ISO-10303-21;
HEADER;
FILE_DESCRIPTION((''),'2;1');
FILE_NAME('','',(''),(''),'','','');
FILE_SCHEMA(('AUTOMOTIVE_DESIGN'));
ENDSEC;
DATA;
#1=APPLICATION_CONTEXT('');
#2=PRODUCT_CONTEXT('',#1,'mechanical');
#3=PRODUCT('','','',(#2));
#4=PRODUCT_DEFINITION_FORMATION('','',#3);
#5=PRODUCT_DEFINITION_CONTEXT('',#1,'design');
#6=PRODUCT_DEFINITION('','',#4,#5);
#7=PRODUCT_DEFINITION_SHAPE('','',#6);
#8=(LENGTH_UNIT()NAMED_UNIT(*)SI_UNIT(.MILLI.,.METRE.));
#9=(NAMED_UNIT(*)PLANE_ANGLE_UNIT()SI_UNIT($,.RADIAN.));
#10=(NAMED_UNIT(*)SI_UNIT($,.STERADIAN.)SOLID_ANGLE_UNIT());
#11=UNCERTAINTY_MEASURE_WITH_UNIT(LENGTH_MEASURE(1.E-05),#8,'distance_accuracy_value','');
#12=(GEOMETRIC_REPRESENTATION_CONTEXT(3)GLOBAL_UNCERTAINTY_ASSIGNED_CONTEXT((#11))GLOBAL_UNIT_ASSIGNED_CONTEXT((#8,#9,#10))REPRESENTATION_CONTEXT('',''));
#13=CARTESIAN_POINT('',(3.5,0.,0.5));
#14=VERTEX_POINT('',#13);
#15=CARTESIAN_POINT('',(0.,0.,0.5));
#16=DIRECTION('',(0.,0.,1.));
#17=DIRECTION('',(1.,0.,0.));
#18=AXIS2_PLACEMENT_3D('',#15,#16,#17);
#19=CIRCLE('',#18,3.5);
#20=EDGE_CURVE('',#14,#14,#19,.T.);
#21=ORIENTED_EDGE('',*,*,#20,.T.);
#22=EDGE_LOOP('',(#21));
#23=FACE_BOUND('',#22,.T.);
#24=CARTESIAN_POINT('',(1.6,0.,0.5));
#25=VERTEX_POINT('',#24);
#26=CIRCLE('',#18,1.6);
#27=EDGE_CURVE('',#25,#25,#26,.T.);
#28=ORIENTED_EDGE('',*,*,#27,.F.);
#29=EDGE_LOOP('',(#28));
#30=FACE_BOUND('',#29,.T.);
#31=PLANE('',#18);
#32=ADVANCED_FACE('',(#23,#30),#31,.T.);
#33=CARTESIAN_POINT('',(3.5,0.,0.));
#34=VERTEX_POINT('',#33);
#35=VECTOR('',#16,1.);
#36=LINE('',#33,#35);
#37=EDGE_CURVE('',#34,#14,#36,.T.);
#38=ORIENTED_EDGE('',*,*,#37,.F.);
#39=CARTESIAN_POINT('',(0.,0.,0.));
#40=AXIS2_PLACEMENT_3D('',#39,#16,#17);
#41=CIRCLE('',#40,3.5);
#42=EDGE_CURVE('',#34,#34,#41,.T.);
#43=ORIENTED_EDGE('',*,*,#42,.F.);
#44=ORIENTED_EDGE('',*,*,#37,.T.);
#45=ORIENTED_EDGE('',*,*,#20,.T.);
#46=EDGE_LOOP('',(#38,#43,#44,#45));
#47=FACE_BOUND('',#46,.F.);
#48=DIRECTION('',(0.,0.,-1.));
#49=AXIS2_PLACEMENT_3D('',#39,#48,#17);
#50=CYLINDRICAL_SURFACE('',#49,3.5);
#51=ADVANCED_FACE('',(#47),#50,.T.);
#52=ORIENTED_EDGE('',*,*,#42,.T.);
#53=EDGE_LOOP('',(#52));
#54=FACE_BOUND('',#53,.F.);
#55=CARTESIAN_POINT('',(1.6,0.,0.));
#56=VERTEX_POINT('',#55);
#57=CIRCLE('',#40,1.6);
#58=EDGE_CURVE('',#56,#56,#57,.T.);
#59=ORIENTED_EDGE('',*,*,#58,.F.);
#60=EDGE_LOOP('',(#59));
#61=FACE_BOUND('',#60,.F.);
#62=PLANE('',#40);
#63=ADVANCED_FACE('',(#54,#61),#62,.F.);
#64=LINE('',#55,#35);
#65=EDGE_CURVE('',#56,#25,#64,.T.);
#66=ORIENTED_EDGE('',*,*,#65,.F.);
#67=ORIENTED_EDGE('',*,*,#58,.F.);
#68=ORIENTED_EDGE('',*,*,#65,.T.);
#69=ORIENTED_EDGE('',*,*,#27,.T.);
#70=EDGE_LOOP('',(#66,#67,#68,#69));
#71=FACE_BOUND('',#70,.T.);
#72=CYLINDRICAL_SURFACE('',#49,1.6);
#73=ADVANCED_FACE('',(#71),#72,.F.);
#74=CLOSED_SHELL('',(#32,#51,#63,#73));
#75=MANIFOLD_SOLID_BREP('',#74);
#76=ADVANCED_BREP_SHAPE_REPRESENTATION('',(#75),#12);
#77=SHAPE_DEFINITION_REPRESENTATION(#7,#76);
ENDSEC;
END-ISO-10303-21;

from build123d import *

# Parameters (mm, degrees)
SKETCH1_R           = 3.5
SKETCH1_R_2         = 1.6
BOSS_EXTRUDE1_DEPTH = 0.5


with BuildPart() as part:
    # Sketch1 → Boss-Extrude1 (new body)
    with BuildSketch(Plane.XY):
        Circle(SKETCH1_R)
        Circle(SKETCH1_R_2, mode=Mode.SUBTRACT)
    extrude(amount=BOSS_EXTRUDE1_DEPTH)


solid = part.part
